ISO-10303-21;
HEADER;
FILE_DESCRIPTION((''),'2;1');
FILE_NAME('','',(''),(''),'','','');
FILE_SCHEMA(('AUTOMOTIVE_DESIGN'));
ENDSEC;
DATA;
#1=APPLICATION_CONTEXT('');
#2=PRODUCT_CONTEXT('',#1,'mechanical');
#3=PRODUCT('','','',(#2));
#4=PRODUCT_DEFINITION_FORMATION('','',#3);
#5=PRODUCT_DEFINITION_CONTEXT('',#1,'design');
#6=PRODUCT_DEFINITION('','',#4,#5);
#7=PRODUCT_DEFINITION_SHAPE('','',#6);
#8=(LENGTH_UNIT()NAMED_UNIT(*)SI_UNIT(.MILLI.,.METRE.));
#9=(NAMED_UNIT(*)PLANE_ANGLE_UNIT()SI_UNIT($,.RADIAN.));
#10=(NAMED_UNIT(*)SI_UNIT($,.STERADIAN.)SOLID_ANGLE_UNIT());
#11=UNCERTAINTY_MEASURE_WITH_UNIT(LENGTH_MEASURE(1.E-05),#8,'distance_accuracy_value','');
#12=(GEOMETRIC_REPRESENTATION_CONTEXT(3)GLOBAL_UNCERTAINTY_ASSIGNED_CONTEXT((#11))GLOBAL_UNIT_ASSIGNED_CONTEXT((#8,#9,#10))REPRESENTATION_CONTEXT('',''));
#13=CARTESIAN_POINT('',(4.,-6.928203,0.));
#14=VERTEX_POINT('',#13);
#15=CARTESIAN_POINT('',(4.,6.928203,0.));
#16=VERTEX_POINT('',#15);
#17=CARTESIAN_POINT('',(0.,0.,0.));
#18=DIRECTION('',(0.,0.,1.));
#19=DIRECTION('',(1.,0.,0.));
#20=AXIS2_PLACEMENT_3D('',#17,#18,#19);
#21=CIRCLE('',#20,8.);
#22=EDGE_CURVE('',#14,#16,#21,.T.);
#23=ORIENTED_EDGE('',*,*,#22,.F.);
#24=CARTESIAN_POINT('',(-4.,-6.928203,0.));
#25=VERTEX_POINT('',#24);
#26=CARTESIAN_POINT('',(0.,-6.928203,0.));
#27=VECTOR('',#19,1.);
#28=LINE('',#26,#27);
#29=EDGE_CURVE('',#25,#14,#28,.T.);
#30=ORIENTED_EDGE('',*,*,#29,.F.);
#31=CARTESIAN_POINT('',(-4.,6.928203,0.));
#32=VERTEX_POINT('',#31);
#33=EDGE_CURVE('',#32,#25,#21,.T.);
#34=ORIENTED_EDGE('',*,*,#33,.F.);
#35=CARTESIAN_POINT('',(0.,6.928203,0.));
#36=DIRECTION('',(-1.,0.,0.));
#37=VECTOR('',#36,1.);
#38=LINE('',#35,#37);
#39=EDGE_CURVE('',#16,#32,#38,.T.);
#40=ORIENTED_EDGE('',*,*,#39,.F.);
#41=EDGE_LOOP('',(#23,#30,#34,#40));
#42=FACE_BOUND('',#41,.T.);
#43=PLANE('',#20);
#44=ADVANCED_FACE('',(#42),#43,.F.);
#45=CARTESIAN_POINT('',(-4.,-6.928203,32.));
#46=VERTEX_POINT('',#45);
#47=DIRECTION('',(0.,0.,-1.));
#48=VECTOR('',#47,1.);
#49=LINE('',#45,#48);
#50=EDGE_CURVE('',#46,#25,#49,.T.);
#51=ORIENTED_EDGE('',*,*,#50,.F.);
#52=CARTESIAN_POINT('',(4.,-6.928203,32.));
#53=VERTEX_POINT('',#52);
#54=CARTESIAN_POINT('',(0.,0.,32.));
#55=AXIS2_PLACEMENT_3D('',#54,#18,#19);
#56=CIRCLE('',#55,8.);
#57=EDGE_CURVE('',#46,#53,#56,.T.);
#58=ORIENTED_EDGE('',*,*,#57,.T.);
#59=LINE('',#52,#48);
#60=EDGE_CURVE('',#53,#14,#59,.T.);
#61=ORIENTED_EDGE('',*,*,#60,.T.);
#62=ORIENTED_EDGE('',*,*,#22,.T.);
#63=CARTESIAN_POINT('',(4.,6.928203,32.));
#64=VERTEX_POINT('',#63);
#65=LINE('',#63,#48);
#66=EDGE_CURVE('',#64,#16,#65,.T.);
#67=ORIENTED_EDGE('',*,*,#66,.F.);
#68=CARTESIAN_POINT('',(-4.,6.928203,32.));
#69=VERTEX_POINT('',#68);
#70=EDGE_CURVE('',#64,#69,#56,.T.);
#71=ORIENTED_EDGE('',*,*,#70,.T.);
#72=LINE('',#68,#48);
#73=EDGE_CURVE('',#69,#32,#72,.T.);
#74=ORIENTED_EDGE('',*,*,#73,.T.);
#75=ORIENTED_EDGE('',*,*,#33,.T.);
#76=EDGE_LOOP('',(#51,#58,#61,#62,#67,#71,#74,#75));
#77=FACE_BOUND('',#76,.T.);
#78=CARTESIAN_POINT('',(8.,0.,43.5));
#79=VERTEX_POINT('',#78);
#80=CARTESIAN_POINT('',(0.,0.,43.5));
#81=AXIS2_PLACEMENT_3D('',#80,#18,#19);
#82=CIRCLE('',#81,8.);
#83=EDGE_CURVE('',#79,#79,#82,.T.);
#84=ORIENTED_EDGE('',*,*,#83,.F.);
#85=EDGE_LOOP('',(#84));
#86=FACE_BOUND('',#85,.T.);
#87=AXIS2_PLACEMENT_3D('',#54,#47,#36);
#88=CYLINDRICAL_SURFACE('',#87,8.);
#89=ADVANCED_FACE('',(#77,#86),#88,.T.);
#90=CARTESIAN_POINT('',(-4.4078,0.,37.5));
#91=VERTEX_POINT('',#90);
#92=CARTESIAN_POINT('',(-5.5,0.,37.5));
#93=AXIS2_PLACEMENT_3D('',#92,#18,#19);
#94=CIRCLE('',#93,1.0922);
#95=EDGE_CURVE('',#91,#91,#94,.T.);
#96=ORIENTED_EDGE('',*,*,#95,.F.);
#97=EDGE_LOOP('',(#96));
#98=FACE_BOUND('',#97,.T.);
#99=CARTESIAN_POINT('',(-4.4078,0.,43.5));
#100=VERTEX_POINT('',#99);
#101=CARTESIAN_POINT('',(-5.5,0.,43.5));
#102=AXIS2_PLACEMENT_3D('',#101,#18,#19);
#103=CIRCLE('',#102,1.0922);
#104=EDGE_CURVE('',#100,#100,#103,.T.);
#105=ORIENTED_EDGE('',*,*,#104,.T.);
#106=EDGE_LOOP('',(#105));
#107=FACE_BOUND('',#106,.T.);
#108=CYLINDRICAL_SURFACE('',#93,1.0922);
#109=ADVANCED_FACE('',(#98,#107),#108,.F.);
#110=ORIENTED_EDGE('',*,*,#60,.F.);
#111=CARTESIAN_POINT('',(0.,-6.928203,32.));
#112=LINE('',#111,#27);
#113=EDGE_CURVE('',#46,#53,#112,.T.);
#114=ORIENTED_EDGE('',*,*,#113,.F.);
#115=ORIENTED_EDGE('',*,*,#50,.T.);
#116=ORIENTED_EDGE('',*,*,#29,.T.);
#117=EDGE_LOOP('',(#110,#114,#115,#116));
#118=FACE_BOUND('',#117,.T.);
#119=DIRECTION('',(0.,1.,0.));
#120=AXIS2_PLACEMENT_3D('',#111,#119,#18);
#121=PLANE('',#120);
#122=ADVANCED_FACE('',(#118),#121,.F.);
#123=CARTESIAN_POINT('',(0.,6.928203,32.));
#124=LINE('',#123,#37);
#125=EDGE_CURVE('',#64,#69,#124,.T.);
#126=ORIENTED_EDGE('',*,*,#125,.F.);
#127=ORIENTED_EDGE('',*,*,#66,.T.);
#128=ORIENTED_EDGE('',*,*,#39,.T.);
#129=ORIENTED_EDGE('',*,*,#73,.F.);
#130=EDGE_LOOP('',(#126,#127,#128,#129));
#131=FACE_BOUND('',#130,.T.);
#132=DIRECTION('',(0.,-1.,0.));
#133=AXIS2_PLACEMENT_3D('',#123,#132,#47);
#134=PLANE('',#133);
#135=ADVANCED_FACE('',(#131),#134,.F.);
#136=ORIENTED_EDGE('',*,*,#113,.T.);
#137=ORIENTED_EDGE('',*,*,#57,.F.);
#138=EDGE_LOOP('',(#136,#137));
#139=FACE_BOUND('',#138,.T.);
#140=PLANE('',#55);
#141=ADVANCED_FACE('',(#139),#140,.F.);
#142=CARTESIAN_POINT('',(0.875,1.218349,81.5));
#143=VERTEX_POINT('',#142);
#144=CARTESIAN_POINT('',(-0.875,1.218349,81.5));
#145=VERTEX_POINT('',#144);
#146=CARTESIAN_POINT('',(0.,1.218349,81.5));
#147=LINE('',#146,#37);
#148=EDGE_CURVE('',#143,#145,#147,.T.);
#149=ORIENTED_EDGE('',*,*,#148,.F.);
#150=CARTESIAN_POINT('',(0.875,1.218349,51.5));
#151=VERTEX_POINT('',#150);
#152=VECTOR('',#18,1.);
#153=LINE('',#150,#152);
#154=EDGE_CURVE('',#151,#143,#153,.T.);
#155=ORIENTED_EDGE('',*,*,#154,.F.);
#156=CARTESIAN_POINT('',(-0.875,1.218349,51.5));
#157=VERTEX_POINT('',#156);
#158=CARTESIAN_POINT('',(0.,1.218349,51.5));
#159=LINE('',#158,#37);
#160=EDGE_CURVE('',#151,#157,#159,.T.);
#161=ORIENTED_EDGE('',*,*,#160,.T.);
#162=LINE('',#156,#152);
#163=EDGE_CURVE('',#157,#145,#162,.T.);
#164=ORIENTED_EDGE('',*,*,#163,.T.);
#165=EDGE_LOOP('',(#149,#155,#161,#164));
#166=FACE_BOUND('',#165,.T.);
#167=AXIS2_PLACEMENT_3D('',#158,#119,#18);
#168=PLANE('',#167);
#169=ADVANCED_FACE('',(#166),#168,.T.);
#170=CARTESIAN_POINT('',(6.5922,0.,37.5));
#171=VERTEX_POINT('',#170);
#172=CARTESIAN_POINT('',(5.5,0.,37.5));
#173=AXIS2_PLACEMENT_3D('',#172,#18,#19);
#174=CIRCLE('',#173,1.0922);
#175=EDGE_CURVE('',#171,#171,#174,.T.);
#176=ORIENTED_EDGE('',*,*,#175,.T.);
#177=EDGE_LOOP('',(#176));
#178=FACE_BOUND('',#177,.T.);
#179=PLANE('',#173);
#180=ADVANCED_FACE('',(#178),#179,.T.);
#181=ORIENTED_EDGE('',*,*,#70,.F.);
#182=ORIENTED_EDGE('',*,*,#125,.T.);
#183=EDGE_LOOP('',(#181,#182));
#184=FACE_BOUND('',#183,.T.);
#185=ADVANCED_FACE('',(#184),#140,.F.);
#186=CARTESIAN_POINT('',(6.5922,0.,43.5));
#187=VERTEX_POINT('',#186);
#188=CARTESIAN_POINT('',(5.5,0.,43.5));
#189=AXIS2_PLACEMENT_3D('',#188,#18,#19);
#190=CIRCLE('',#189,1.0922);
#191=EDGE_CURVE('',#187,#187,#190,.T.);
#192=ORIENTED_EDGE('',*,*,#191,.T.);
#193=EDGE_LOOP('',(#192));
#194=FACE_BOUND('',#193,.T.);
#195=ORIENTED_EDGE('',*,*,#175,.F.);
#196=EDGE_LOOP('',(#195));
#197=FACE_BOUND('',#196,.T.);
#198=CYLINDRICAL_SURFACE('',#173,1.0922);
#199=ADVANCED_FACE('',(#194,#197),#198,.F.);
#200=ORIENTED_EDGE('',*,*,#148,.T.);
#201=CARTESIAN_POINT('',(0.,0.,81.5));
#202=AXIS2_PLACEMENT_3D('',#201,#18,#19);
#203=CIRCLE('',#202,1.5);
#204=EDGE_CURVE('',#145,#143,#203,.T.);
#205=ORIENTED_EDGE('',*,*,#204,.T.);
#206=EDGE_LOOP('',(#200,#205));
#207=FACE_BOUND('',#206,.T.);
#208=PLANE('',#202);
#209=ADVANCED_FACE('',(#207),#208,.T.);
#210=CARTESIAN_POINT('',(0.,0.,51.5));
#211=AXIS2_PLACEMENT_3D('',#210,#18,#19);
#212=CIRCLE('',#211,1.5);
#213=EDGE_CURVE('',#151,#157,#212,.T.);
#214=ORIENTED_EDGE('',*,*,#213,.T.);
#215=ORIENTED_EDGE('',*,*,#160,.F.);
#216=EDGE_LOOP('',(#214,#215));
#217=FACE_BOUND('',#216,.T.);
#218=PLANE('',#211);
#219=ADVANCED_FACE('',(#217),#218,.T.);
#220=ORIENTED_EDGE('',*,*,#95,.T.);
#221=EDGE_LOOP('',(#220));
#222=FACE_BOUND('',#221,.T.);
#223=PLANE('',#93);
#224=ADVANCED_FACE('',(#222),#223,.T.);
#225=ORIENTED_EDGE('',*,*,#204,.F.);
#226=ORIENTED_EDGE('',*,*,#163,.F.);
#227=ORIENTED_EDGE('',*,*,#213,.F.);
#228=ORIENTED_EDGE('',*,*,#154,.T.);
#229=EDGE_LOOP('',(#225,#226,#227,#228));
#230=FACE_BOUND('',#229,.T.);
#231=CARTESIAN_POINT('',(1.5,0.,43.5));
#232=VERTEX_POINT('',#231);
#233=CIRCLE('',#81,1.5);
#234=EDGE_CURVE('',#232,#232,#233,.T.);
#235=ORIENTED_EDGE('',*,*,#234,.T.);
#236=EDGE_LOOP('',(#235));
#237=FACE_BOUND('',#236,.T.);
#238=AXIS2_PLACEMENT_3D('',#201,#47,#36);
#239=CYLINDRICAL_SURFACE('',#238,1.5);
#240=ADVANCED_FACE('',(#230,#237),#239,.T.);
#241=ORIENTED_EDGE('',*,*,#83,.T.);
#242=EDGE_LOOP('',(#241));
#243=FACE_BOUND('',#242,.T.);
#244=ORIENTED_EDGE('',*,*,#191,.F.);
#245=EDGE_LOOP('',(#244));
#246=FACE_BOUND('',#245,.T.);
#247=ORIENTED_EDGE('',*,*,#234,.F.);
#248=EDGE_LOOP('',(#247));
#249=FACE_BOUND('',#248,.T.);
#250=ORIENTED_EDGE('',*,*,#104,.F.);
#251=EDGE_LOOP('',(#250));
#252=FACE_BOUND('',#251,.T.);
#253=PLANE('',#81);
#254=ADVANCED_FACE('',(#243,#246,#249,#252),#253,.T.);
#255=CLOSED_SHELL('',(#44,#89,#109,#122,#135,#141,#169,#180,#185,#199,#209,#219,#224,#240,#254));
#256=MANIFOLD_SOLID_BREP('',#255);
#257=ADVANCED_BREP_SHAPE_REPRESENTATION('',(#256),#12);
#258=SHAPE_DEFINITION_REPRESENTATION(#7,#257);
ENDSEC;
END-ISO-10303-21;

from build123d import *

# Parameters (mm, degrees)
SKETCH1_R           = 8
BOSS_EXTRUDE1_DEPTH = 32
CUT_EXTRUDE1_DEPTH  = 32
SKETCH4_R           = 8
BOSS_EXTRUDE2_DEPTH = 11.5
SKETCH5_R           = 1.0922
CUT_EXTRUDE2_DEPTH  = 6
SKETCH5_3_R         = 1.5
BOSS_EXTRUDE3_DEPTH = 38
CUT_EXTRUDE3_START  = -30
CUT_EXTRUDE3_DEPTH  = 30


with BuildPart() as part:
    # Sketch1 → Boss-Extrude1 (new body)
    with BuildSketch(Plane.XY):
        Circle(SKETCH1_R)
    extrude(amount=BOSS_EXTRUDE1_DEPTH)

    # Sketch3 → Cut-Extrude1 (cut)
    with BuildSketch(Plane(origin=(0, 0, 0), x_dir=(-1, 0, 0), z_dir=(0, 0, -1))):
        with BuildLine():
            ThreePointArc((4, 6.92820323), (0, 8), (-4, 6.92820323))
            Line((-4, 6.92820323), (4, 6.92820323))
        make_face()
        with BuildLine():
            Line((4, -6.92820323), (-4, -6.92820323))
            ThreePointArc((-4, -6.92820323), (0, -8), (4, -6.92820323))
        make_face()
    extrude(amount=-CUT_EXTRUDE1_DEPTH, mode=Mode.SUBTRACT)

    # Sketch4 → Boss-Extrude2 (add)
    with BuildSketch(Plane.XY.offset(32)):
        Circle(SKETCH4_R)
    extrude(amount=BOSS_EXTRUDE2_DEPTH)

    # Sketch5 → Cut-Extrude2 (cut)
    with BuildSketch(Plane.XY.offset(43.5)):
        with Locations((-5.5, 0)):
            Circle(SKETCH5_R)
        with Locations((5.5, 0)):
            Circle(SKETCH5_R)
    extrude(amount=-CUT_EXTRUDE2_DEPTH, mode=Mode.SUBTRACT)

    # Sketch5<3> → Boss-Extrude3 (add)
    with BuildSketch(Plane.XY.offset(43.5)):
        Circle(SKETCH5_3_R)
    extrude(amount=BOSS_EXTRUDE3_DEPTH)

    # Sketch6 → Cut-Extrude3 (cut)
    with BuildSketch(Plane.XY.offset(81.5).offset(CUT_EXTRUDE3_START)):
        with BuildLine():
            Line((-0.875, 1.218349293), (0.875, 1.218349293))
            ThreePointArc((0.875, 1.218349293), (0, 1.5), (-0.875, 1.218349293))
        make_face()
    extrude(amount=CUT_EXTRUDE3_DEPTH, mode=Mode.SUBTRACT)


solid = part.part
